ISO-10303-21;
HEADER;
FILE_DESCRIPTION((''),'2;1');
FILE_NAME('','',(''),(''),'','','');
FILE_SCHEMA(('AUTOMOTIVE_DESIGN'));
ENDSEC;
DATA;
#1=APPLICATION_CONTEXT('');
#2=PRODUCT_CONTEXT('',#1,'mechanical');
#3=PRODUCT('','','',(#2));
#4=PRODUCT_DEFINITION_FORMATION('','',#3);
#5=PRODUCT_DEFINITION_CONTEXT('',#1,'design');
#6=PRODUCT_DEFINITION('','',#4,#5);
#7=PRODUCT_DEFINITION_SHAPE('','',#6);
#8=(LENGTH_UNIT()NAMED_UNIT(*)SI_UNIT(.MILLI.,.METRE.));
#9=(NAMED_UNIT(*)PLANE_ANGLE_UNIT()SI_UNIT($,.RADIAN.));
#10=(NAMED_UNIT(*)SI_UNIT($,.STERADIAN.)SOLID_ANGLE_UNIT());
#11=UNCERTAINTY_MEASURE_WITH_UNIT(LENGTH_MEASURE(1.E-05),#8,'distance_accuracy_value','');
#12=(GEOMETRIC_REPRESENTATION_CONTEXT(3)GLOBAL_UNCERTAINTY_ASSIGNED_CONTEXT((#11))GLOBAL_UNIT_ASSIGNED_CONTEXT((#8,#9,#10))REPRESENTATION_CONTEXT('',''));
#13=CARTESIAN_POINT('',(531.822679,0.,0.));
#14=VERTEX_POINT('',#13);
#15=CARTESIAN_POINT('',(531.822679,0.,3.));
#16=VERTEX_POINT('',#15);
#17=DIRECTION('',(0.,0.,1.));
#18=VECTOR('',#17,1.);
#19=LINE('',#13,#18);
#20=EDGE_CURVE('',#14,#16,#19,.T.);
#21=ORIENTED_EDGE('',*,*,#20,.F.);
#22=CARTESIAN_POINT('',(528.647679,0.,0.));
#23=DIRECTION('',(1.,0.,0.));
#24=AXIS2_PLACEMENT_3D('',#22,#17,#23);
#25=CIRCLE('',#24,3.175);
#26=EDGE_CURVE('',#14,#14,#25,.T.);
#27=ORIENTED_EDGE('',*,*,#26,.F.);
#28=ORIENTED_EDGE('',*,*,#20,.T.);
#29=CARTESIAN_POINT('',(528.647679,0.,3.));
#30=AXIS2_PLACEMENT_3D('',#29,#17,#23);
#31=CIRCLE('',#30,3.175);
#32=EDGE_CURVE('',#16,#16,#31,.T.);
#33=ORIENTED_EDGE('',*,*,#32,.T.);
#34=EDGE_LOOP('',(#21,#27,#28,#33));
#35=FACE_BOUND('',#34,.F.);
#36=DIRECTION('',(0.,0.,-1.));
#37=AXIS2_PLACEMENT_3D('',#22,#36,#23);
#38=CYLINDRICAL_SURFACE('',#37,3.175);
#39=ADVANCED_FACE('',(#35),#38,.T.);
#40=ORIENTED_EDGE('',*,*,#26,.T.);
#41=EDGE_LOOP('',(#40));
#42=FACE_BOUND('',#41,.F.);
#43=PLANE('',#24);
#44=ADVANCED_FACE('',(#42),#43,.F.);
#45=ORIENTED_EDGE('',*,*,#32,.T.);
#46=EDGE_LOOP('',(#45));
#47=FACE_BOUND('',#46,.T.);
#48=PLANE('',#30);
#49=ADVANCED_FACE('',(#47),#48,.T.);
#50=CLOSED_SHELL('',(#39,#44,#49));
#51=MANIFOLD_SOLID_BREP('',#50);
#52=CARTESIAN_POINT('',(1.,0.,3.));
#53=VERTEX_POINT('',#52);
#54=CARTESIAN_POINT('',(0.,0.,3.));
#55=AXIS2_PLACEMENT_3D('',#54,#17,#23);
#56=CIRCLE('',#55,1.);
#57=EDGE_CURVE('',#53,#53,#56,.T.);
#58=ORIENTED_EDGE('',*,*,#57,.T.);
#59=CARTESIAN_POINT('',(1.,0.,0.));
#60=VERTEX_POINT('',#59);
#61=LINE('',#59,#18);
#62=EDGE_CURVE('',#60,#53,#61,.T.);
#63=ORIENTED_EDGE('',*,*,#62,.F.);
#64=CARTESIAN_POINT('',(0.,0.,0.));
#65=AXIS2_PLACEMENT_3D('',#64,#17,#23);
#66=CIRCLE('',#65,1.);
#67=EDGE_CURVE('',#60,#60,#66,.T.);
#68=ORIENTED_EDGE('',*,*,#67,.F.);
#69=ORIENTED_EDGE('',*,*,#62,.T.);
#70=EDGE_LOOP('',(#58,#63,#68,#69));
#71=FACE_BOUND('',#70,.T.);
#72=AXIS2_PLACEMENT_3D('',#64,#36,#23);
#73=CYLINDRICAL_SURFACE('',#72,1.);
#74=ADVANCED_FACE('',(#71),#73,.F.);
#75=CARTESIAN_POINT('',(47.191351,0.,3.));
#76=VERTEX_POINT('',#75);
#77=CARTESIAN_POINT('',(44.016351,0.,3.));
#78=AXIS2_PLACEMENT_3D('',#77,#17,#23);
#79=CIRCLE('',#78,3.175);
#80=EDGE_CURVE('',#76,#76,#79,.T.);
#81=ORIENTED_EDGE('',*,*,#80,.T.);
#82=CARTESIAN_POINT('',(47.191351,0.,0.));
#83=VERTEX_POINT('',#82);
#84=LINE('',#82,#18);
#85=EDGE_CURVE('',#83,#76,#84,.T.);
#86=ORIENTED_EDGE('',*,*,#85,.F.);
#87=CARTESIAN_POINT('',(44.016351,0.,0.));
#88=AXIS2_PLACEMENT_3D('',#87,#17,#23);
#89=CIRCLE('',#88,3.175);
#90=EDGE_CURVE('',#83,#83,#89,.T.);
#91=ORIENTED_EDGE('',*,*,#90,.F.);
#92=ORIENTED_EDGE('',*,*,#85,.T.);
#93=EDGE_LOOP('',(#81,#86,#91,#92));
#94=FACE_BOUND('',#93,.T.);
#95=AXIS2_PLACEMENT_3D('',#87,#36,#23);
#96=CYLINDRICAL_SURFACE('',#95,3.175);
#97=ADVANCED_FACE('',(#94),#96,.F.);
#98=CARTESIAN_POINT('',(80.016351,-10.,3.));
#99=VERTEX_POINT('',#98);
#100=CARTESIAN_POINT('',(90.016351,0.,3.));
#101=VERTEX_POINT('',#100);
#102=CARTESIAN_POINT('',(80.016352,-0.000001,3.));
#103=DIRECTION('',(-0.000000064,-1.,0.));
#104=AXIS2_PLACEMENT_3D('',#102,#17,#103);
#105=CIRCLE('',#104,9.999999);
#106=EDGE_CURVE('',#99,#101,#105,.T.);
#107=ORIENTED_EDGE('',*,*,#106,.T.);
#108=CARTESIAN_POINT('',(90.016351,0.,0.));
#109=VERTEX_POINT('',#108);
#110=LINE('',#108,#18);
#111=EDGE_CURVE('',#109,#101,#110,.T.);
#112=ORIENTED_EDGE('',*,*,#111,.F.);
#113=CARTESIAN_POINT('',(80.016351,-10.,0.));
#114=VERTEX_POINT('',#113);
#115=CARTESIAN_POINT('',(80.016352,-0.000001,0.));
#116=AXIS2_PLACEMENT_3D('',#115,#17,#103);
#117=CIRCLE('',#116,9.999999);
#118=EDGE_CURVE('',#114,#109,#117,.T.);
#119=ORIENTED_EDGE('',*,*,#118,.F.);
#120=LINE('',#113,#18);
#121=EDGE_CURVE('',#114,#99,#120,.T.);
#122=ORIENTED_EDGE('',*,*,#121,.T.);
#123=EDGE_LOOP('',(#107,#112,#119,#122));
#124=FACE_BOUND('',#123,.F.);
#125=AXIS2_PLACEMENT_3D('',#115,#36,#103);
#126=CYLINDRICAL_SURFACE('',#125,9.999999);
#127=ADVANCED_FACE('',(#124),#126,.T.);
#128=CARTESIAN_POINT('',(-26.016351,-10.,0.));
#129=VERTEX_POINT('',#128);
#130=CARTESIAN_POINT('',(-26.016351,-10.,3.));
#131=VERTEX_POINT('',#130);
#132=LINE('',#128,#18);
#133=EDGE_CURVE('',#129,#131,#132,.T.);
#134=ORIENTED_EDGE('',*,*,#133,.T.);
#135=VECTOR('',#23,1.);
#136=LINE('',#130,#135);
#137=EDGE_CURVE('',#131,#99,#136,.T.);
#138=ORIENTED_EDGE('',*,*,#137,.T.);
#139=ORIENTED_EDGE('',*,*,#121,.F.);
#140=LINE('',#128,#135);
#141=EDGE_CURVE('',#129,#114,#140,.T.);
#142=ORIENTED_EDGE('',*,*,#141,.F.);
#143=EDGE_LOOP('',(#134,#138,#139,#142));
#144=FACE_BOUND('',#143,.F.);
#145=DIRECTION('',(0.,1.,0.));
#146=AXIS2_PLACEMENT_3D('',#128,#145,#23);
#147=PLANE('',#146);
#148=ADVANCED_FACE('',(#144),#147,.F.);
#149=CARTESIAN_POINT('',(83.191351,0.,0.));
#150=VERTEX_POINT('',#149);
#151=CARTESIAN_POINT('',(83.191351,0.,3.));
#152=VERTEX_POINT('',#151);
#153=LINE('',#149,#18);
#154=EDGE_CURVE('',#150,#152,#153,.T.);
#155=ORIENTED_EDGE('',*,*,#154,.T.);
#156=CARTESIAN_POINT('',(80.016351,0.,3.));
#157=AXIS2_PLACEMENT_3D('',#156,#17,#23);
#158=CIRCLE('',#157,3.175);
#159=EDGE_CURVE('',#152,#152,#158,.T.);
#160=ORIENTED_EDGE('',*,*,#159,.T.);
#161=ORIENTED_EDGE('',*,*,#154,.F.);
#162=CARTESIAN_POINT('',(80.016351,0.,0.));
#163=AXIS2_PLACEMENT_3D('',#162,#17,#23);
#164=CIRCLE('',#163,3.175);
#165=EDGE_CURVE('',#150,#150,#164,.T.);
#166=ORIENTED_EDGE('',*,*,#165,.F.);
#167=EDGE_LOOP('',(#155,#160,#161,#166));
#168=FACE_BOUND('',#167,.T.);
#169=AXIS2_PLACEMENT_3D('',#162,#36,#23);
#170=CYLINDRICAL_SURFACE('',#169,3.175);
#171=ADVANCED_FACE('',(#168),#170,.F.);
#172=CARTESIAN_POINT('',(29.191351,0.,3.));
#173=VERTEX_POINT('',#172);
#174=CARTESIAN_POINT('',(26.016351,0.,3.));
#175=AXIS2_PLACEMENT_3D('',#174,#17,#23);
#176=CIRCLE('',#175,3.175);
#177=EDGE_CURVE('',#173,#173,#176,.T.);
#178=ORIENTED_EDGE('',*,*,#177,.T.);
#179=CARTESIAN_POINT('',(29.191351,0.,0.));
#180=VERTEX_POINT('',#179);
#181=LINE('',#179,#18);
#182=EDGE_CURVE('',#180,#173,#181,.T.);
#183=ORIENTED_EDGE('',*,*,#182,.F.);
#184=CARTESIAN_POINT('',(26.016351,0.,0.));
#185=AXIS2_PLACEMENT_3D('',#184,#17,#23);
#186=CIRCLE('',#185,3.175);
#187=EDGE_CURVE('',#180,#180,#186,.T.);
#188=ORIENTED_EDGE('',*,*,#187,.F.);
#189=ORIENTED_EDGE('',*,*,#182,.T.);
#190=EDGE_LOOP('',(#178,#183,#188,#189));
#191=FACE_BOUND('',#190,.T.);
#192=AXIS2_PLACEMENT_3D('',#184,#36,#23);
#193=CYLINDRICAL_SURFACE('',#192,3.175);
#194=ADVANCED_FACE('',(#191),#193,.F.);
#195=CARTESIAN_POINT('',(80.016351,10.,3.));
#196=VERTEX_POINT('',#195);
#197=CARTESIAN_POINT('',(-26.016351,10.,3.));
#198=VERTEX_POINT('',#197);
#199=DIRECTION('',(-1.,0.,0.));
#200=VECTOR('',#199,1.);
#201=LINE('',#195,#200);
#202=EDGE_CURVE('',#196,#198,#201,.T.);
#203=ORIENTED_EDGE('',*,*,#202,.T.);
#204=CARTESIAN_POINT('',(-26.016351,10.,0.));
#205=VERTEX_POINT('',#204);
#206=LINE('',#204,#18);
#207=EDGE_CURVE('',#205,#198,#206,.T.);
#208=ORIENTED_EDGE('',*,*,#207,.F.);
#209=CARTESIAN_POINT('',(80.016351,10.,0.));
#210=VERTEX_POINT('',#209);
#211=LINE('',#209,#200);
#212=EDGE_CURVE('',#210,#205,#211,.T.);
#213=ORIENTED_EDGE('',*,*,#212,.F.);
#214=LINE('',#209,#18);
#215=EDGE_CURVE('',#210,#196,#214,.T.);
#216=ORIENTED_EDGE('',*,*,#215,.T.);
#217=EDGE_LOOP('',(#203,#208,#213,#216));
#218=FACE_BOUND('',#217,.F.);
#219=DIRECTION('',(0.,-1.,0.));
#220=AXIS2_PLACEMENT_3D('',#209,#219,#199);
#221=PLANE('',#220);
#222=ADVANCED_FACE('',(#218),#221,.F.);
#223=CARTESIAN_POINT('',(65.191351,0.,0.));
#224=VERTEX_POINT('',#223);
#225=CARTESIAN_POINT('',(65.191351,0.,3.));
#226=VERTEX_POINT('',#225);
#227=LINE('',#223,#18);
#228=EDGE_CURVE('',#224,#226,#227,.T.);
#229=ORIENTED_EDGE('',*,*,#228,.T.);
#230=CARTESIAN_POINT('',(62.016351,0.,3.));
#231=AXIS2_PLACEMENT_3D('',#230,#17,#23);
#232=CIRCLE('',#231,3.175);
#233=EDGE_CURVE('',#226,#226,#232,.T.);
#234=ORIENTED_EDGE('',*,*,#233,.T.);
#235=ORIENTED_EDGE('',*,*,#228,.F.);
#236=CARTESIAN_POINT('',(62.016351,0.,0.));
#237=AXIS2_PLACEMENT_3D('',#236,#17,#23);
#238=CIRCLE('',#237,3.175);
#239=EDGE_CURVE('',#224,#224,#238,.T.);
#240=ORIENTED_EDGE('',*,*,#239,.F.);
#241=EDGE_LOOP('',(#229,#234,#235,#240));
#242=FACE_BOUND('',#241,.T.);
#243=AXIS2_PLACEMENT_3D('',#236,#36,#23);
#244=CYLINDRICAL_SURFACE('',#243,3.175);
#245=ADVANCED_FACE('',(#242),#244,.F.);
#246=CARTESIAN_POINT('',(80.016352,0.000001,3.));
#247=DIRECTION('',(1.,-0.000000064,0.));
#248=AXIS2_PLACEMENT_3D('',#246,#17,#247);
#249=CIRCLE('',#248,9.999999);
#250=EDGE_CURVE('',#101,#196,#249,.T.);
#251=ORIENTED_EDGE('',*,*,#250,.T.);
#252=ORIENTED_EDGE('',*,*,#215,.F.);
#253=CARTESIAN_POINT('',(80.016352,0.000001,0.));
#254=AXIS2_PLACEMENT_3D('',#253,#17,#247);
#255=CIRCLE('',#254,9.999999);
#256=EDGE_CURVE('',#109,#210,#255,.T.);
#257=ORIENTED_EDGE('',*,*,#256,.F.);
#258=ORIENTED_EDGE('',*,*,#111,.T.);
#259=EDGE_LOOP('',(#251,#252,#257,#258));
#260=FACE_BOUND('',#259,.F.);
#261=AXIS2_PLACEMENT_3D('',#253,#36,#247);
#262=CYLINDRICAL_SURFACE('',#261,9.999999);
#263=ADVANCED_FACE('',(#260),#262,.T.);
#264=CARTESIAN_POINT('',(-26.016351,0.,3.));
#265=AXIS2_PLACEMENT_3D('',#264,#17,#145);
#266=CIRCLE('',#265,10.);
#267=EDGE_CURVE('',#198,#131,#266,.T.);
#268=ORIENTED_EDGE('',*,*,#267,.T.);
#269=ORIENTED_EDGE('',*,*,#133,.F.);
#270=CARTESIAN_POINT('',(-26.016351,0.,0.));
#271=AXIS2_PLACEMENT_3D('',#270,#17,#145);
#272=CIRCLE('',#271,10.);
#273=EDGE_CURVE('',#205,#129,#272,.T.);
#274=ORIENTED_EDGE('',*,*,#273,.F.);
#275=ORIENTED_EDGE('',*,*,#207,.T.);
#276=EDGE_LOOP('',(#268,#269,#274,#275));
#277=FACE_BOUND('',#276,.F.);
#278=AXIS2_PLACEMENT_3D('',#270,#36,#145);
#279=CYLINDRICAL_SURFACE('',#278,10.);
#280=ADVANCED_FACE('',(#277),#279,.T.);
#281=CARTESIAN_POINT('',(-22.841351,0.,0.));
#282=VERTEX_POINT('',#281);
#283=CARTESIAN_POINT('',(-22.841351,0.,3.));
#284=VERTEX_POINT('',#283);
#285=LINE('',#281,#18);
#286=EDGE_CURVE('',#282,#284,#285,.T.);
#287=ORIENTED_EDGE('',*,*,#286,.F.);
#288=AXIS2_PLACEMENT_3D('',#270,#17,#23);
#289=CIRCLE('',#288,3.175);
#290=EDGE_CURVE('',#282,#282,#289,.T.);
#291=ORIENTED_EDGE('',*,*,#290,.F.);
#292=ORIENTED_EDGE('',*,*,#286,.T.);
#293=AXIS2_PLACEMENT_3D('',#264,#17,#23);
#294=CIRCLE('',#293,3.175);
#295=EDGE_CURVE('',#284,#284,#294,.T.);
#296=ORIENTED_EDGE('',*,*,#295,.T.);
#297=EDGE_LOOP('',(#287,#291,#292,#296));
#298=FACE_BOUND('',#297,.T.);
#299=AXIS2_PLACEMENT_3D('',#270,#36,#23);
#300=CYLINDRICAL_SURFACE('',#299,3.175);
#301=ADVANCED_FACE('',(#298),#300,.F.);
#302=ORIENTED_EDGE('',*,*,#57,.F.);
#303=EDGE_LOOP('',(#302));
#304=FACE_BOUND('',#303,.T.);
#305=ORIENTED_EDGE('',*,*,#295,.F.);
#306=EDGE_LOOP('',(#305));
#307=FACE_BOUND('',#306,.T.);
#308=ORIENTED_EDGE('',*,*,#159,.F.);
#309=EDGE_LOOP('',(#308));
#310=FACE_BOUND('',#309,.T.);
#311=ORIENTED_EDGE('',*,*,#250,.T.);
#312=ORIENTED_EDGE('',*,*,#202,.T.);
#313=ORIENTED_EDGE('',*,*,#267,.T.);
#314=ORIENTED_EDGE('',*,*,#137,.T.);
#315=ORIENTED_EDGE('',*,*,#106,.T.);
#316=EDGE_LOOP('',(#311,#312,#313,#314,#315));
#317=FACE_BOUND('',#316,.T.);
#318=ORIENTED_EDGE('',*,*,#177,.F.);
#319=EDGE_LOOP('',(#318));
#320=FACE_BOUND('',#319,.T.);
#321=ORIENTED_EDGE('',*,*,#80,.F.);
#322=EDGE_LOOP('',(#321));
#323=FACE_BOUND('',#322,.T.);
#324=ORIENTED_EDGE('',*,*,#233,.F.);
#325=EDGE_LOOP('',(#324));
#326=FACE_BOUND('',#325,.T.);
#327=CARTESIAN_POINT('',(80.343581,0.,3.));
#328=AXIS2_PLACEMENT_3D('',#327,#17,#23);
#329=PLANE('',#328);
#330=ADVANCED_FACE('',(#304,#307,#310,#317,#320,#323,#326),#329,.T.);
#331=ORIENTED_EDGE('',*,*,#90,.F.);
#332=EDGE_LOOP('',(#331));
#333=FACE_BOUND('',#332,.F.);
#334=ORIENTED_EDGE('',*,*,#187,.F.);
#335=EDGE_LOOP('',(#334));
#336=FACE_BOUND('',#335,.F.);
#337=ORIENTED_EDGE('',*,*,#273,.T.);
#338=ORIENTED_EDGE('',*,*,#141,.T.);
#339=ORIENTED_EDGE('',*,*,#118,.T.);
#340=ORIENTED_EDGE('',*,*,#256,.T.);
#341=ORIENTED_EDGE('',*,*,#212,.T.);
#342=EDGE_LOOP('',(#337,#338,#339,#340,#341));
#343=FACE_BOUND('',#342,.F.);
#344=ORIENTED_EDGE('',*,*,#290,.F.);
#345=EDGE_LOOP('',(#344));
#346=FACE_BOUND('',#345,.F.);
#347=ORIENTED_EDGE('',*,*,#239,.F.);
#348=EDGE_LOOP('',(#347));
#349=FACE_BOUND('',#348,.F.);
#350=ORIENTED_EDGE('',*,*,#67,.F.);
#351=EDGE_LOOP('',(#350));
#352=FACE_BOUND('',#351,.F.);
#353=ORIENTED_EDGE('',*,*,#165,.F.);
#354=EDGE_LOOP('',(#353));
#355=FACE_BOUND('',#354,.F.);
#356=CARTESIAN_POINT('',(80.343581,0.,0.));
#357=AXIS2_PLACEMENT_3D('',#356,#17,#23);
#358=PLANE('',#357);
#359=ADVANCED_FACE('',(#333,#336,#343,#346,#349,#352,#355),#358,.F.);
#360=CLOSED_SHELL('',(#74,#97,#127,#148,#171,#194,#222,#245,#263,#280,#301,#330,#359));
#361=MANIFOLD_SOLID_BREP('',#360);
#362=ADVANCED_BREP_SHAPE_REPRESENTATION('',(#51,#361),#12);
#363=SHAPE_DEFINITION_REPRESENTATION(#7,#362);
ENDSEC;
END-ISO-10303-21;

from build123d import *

# Parameters (mm, degrees)
F0_R     = 3.175
F0_R_2   = 1
F1_DEPTH = 3


with BuildPart() as f1:
    # F0 (on Top) → F1 (new body)
    with BuildSketch(Plane.XY):
        with Locations((528.647679, 0)):
            Circle(F0_R)
        with BuildLine():
            ThreePointArc((80.016351, -10), (87.087419, -7.071068), (90.016351, 0))
            ThreePointArc((90.016351, 0), (87.087419, 7.071068), (80.016351, 10))
            ThreePointArc((80.016351, 10), (70.016351, 0), (80.016351, -10))
        make_face()
        with Locations((80.016351, 0)):
            Circle(F0_R, mode=Mode.SUBTRACT)
        with BuildLine():
            ThreePointArc((80.016351, -10), (70.016351, 0), (80.016351, 10))
            Line((80.016351, 10), (-26.016351, 10))
            ThreePointArc((-26.016351, 10), (-18.945283, 7.071068), (-16.016351, 0))
            ThreePointArc((-16.016351, 0), (-18.945283, -7.071068), (-26.016351, -10))
            Line((-26.016351, -10), (80.016351, -10))
        make_face()
        Circle(F0_R_2, mode=Mode.SUBTRACT)
        with Locations((26.016351, 0)):
            Circle(F0_R, mode=Mode.SUBTRACT)
        with Locations((44.016351, 0)):
            Circle(F0_R, mode=Mode.SUBTRACT)
        with Locations((62.016351, 0)):
            Circle(F0_R, mode=Mode.SUBTRACT)
        with BuildLine():
            ThreePointArc((-16.016351, 0), (-18.945283, 7.071068), (-26.016351, 10))
            ThreePointArc((-26.016351, 10), (-36.016351, 0), (-26.016351, -10))
            ThreePointArc((-26.016351, -10), (-18.945283, -7.071068), (-16.016351, 0))
        make_face()
        with Locations((-26.016351, 0)):
            Circle(F0_R, mode=Mode.SUBTRACT)
    extrude(amount=F1_DEPTH)


solid = f1.part
